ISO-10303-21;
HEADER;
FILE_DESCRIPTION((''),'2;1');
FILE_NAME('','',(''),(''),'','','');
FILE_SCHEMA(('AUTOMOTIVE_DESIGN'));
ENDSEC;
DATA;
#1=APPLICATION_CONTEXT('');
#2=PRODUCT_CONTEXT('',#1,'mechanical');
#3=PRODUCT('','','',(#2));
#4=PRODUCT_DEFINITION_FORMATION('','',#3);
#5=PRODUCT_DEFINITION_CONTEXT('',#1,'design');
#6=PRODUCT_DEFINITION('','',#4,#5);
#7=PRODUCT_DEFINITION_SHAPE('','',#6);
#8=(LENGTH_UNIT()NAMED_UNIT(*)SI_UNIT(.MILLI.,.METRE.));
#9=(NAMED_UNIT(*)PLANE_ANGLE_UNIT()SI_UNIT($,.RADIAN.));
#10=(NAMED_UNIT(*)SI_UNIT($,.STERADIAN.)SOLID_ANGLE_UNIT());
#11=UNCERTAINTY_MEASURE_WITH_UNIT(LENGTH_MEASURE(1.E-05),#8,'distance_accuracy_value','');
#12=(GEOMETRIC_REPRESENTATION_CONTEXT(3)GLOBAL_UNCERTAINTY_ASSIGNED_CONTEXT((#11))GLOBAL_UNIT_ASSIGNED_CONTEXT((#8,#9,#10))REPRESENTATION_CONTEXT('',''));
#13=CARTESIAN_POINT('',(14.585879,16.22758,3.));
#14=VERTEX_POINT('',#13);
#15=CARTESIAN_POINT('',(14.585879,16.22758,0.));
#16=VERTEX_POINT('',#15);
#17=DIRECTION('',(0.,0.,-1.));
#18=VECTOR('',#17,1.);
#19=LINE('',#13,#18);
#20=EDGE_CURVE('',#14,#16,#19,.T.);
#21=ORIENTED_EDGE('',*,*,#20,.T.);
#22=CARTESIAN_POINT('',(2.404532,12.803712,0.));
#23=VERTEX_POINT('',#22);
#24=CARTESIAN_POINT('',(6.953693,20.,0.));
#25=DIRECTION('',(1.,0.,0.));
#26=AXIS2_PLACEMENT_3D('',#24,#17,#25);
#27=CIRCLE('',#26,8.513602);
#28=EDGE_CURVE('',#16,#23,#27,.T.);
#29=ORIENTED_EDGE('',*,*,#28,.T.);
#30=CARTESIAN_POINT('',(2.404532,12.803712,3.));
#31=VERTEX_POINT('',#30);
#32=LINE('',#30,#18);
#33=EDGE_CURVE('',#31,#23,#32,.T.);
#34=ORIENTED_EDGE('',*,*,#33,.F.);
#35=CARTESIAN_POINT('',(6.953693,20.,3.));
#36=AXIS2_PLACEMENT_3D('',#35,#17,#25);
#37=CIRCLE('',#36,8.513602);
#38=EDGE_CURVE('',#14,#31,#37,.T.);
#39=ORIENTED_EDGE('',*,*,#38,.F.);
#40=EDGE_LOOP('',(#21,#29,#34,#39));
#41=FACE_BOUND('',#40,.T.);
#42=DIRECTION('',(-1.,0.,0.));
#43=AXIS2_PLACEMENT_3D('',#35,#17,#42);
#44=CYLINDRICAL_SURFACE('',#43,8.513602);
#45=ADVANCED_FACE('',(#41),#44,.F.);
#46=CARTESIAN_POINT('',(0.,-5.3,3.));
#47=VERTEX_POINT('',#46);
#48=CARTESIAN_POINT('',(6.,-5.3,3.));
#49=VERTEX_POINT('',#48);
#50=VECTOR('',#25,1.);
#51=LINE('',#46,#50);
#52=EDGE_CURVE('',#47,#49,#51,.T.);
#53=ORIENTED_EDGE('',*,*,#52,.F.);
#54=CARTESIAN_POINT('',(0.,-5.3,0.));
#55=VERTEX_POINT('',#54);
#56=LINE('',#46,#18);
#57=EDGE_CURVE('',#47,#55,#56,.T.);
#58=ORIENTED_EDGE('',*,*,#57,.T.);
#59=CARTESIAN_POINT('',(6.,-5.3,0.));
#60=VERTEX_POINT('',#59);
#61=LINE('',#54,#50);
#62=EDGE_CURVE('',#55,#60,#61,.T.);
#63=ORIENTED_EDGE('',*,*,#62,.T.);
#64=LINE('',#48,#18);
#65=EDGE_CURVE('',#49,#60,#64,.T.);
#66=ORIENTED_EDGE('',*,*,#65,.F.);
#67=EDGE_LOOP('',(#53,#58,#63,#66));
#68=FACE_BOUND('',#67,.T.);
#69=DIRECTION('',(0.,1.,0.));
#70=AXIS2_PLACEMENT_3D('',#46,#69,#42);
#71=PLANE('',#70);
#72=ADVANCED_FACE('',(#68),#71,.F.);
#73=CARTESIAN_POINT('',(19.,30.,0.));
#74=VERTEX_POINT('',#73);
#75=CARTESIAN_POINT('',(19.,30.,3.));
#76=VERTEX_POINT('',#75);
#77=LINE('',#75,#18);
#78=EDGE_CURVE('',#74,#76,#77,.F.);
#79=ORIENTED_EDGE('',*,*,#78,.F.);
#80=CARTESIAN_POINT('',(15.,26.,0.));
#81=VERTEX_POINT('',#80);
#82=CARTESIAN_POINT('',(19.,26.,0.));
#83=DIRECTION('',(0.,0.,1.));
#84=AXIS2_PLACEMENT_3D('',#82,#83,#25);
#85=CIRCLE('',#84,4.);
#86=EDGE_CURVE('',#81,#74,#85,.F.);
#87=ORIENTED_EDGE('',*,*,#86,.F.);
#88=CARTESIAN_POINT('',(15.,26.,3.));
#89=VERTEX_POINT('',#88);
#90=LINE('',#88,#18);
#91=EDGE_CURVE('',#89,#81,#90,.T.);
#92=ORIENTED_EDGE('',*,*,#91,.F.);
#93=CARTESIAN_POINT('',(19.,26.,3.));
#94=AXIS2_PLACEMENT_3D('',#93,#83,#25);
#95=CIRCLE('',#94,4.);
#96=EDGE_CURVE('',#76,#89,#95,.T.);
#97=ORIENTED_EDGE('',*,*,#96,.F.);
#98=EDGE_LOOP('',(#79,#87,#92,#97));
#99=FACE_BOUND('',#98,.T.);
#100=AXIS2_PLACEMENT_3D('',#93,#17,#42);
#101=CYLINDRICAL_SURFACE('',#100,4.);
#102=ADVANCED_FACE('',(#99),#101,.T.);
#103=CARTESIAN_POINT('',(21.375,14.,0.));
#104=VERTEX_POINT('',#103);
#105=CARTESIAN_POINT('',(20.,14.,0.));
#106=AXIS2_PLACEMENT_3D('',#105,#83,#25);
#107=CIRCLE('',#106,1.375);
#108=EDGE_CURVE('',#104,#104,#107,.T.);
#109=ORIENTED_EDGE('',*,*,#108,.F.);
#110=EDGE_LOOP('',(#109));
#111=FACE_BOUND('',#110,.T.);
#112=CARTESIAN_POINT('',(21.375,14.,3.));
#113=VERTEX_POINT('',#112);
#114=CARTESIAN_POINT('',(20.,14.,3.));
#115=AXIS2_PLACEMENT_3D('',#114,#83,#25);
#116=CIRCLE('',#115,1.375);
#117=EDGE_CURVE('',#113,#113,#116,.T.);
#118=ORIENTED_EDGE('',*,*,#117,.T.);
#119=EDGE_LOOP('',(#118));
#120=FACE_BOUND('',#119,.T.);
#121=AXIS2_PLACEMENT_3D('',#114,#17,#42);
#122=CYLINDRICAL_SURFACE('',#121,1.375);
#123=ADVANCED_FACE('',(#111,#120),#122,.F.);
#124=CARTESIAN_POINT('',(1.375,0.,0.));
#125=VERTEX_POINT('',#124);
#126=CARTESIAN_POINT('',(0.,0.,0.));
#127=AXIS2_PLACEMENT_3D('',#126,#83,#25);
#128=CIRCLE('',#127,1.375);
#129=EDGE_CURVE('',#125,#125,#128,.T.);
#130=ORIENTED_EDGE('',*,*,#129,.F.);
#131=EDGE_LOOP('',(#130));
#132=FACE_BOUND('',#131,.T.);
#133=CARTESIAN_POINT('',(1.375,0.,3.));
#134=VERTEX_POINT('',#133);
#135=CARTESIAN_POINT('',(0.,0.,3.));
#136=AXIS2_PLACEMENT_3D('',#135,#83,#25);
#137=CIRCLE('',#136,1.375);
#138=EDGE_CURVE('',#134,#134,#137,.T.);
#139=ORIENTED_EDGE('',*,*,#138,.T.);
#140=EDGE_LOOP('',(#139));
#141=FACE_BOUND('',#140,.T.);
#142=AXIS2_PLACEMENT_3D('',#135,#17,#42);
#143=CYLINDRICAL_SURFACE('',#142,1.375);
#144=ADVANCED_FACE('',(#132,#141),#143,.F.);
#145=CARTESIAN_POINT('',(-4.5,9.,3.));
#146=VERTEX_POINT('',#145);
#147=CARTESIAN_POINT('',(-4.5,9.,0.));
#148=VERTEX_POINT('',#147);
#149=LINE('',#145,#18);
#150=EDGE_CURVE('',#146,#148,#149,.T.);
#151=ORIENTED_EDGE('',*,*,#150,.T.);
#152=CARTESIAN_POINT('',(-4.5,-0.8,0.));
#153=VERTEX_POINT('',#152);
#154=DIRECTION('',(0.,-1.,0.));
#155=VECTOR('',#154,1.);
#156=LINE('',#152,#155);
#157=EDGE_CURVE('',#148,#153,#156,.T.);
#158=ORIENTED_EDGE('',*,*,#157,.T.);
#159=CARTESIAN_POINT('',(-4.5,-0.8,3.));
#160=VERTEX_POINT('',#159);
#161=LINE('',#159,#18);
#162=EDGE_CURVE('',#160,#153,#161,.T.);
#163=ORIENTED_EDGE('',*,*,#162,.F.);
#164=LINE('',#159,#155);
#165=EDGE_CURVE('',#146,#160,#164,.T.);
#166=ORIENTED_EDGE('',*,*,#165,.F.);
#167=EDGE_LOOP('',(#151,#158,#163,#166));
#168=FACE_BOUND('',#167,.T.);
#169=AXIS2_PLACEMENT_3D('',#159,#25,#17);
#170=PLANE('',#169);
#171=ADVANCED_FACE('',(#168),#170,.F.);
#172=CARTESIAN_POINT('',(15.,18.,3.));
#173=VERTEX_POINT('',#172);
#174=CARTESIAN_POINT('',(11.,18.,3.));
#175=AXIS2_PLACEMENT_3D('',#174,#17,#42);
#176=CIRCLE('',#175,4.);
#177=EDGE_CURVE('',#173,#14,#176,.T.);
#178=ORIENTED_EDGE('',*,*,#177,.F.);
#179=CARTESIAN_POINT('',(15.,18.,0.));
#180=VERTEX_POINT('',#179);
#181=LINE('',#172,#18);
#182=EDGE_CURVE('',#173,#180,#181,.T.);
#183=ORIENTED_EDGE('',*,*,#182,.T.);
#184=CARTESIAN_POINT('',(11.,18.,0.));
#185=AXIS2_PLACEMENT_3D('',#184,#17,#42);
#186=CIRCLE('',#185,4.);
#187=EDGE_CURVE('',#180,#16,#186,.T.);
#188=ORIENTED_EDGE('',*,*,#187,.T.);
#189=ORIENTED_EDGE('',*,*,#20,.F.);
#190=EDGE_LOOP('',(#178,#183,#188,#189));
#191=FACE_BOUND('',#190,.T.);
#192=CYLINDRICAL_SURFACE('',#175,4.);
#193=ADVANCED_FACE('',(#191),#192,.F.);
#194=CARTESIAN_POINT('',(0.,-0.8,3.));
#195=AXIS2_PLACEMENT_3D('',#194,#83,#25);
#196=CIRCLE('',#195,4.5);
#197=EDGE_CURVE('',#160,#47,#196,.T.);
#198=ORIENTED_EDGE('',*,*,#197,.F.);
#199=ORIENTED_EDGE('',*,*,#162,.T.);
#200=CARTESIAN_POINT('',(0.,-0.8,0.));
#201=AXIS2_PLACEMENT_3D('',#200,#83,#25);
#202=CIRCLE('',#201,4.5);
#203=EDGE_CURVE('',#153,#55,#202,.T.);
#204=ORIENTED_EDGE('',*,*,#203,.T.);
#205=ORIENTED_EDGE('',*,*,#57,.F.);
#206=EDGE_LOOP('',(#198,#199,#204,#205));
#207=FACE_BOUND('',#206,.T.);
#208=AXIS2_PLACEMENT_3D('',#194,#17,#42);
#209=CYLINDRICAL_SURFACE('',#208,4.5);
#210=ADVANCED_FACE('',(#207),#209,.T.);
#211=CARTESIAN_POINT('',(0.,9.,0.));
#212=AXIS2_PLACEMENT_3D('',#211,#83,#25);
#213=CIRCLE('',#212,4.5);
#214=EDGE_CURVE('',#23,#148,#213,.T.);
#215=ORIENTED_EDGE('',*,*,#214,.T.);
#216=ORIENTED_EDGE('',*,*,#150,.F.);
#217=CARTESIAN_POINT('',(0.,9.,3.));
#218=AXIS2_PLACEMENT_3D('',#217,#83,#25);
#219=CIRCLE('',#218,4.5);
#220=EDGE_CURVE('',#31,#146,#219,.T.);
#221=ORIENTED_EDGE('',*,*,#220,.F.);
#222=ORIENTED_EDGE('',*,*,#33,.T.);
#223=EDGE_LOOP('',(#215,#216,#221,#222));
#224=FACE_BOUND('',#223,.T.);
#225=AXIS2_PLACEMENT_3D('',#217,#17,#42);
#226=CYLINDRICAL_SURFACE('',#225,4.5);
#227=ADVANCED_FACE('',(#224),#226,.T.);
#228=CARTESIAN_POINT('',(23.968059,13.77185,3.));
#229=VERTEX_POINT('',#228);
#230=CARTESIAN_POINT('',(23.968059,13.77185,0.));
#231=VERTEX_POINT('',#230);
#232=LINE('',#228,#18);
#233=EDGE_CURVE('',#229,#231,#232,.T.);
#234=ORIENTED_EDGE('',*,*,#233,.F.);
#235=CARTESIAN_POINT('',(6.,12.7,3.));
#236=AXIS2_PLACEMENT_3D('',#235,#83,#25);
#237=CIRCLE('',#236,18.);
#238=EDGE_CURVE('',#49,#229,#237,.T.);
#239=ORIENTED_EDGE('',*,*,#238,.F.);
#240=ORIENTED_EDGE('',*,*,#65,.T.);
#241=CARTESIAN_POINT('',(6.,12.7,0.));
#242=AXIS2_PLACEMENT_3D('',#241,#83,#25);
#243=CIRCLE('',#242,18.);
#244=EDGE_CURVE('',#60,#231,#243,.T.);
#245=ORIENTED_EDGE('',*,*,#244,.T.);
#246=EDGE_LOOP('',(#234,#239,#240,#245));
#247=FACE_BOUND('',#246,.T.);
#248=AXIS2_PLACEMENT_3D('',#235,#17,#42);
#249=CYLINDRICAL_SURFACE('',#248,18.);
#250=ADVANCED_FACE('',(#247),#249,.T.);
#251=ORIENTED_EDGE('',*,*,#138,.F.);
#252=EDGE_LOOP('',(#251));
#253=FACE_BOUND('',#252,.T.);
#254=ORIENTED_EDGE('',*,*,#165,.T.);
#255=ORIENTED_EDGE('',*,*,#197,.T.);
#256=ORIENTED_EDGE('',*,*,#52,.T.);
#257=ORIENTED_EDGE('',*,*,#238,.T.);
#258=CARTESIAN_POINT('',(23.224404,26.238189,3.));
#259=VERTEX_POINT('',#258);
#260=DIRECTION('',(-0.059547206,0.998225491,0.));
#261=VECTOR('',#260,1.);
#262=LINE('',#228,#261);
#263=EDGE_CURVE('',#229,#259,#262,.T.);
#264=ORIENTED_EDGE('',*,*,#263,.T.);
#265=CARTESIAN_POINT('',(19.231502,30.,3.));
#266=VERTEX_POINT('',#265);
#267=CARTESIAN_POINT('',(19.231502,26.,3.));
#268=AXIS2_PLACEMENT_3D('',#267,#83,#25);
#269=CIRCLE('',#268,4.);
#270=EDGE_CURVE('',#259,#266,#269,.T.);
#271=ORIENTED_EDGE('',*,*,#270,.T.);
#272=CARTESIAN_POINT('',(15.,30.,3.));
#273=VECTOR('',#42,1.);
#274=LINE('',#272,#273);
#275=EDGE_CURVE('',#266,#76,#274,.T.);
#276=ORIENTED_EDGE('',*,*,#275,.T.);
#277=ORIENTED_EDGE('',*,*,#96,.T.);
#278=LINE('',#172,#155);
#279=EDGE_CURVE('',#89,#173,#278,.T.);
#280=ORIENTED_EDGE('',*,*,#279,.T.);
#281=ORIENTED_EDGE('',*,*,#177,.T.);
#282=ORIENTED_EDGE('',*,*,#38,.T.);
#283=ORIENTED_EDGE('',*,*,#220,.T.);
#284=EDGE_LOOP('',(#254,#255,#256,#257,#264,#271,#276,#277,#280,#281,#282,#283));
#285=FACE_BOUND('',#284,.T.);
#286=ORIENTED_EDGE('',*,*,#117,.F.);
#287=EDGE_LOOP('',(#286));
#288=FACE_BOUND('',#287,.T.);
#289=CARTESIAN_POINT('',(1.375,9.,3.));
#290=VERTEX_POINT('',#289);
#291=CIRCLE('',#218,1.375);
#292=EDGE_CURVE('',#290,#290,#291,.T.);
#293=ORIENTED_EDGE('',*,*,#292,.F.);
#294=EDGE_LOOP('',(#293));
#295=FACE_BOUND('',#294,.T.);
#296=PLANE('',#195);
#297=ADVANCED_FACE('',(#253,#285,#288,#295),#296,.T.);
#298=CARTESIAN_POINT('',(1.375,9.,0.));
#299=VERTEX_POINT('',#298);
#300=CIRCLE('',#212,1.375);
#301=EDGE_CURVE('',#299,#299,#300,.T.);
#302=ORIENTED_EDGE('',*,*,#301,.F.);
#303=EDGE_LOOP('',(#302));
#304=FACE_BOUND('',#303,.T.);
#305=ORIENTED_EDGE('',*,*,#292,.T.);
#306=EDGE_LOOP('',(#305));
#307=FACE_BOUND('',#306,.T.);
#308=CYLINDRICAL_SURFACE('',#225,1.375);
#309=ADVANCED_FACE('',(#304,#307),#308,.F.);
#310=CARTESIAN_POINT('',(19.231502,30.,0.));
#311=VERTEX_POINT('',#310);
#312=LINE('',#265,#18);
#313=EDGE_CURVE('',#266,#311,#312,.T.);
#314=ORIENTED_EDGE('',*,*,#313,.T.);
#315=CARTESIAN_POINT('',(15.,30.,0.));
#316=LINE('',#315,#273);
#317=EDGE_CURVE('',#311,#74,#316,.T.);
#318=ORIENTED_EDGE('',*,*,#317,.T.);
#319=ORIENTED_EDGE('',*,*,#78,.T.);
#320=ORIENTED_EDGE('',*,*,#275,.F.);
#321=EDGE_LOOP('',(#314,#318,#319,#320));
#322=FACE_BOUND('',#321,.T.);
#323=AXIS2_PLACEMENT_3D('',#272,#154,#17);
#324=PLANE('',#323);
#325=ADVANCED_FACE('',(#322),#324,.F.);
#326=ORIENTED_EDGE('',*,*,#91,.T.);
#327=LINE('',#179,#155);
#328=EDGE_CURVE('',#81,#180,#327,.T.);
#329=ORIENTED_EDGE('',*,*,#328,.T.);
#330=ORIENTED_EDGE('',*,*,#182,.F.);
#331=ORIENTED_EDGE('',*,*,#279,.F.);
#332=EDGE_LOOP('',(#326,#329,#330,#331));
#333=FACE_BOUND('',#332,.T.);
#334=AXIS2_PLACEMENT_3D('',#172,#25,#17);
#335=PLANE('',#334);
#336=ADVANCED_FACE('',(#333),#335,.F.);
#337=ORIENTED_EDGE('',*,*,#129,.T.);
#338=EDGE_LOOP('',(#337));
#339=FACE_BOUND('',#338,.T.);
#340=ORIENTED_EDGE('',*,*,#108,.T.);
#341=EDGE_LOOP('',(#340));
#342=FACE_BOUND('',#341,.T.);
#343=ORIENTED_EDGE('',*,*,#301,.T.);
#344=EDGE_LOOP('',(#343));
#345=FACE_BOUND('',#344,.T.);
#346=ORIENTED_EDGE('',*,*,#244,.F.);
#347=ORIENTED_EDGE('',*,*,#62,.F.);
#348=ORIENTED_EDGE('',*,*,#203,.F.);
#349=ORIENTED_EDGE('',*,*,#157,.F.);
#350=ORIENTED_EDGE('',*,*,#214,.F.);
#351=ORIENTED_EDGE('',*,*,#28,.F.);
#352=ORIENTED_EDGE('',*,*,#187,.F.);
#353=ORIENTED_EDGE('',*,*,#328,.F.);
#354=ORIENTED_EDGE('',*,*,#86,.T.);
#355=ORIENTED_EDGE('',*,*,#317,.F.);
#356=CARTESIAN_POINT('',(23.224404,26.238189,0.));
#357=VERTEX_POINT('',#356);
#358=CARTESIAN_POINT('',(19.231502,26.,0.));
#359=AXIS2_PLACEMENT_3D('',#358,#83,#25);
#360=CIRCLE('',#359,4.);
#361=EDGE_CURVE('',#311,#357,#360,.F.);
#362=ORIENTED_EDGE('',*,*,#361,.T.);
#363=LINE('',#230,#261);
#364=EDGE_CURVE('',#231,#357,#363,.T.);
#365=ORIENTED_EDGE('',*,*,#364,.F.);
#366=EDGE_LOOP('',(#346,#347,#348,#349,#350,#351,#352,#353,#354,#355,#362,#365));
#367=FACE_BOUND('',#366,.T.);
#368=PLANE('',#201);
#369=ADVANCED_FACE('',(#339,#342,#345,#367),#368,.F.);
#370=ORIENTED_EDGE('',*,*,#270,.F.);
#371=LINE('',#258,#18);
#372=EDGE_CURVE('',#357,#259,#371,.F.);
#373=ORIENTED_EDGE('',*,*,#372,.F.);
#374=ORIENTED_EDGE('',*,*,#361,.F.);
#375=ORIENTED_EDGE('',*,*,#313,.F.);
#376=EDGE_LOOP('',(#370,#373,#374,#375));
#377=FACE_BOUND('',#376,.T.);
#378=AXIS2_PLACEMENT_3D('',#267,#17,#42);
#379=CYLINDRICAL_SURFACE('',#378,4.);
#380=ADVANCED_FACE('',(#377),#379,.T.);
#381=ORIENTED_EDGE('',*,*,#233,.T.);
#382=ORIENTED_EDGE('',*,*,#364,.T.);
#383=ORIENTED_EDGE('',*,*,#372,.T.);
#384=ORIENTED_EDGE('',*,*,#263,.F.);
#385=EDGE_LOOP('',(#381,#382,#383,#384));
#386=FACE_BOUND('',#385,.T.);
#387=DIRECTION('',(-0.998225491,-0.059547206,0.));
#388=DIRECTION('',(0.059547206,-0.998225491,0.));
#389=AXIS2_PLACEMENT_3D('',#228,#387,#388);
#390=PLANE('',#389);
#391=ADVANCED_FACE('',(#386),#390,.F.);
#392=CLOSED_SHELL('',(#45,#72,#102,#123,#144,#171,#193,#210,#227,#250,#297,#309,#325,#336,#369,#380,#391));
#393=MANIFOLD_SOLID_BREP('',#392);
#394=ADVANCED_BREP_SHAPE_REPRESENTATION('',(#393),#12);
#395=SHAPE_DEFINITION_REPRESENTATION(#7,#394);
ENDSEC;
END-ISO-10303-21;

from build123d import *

# Parameters (mm, degrees)
SKETCH1_R           = 1.375
BOSS_EXTRUDE1_DEPTH = 3
FILLET1_R           = 4


with BuildPart() as part:
    # Sketch1 → Boss-Extrude1 (new body)
    with BuildSketch(Plane.XY):
        with BuildLine():
            Line((-4.5, -0.8), (-4.5, 9))
            ThreePointArc((-4.5, 9), (-2.171359962, 12.941471288), (2.404531518, 12.803712421))
            ThreePointArc((2.404531518, 12.803712421), (9.257380419, 11.803998346), (14.585878733, 16.227579703))
            ThreePointArc((14.585878733, 16.227579703), (14.895094025, 17.089921688), (15, 18))
            Line((15, 18), (15, 30))
            Line((15, 30), (23, 30))
            Line((23, 30), (23.968058833, 13.771849702))
            ThreePointArc((23.968058833, 13.771849702), (19.101398678, 0.356849969), (6, -5.3))
            Line((6, -5.3), (0, -5.3))
            ThreePointArc((0, -5.3), (-3.181980515, -3.981980515), (-4.5, -0.8))
        make_face()
        Circle(SKETCH1_R, mode=Mode.SUBTRACT)
        with Locations((0, 9)):
            Circle(SKETCH1_R, mode=Mode.SUBTRACT)
        with Locations((20, 14)):
            Circle(SKETCH1_R, mode=Mode.SUBTRACT)
    extrude(amount=BOSS_EXTRUDE1_DEPTH)

    # Fillet1
    fillet1_edges = [part.edges().sort_by_distance(p)[0] for p in [
        (15, 30, 1.5),
        (23, 30, 1.5),
    ]]
    fillet(fillet1_edges, radius=FILLET1_R)


solid = part.part
